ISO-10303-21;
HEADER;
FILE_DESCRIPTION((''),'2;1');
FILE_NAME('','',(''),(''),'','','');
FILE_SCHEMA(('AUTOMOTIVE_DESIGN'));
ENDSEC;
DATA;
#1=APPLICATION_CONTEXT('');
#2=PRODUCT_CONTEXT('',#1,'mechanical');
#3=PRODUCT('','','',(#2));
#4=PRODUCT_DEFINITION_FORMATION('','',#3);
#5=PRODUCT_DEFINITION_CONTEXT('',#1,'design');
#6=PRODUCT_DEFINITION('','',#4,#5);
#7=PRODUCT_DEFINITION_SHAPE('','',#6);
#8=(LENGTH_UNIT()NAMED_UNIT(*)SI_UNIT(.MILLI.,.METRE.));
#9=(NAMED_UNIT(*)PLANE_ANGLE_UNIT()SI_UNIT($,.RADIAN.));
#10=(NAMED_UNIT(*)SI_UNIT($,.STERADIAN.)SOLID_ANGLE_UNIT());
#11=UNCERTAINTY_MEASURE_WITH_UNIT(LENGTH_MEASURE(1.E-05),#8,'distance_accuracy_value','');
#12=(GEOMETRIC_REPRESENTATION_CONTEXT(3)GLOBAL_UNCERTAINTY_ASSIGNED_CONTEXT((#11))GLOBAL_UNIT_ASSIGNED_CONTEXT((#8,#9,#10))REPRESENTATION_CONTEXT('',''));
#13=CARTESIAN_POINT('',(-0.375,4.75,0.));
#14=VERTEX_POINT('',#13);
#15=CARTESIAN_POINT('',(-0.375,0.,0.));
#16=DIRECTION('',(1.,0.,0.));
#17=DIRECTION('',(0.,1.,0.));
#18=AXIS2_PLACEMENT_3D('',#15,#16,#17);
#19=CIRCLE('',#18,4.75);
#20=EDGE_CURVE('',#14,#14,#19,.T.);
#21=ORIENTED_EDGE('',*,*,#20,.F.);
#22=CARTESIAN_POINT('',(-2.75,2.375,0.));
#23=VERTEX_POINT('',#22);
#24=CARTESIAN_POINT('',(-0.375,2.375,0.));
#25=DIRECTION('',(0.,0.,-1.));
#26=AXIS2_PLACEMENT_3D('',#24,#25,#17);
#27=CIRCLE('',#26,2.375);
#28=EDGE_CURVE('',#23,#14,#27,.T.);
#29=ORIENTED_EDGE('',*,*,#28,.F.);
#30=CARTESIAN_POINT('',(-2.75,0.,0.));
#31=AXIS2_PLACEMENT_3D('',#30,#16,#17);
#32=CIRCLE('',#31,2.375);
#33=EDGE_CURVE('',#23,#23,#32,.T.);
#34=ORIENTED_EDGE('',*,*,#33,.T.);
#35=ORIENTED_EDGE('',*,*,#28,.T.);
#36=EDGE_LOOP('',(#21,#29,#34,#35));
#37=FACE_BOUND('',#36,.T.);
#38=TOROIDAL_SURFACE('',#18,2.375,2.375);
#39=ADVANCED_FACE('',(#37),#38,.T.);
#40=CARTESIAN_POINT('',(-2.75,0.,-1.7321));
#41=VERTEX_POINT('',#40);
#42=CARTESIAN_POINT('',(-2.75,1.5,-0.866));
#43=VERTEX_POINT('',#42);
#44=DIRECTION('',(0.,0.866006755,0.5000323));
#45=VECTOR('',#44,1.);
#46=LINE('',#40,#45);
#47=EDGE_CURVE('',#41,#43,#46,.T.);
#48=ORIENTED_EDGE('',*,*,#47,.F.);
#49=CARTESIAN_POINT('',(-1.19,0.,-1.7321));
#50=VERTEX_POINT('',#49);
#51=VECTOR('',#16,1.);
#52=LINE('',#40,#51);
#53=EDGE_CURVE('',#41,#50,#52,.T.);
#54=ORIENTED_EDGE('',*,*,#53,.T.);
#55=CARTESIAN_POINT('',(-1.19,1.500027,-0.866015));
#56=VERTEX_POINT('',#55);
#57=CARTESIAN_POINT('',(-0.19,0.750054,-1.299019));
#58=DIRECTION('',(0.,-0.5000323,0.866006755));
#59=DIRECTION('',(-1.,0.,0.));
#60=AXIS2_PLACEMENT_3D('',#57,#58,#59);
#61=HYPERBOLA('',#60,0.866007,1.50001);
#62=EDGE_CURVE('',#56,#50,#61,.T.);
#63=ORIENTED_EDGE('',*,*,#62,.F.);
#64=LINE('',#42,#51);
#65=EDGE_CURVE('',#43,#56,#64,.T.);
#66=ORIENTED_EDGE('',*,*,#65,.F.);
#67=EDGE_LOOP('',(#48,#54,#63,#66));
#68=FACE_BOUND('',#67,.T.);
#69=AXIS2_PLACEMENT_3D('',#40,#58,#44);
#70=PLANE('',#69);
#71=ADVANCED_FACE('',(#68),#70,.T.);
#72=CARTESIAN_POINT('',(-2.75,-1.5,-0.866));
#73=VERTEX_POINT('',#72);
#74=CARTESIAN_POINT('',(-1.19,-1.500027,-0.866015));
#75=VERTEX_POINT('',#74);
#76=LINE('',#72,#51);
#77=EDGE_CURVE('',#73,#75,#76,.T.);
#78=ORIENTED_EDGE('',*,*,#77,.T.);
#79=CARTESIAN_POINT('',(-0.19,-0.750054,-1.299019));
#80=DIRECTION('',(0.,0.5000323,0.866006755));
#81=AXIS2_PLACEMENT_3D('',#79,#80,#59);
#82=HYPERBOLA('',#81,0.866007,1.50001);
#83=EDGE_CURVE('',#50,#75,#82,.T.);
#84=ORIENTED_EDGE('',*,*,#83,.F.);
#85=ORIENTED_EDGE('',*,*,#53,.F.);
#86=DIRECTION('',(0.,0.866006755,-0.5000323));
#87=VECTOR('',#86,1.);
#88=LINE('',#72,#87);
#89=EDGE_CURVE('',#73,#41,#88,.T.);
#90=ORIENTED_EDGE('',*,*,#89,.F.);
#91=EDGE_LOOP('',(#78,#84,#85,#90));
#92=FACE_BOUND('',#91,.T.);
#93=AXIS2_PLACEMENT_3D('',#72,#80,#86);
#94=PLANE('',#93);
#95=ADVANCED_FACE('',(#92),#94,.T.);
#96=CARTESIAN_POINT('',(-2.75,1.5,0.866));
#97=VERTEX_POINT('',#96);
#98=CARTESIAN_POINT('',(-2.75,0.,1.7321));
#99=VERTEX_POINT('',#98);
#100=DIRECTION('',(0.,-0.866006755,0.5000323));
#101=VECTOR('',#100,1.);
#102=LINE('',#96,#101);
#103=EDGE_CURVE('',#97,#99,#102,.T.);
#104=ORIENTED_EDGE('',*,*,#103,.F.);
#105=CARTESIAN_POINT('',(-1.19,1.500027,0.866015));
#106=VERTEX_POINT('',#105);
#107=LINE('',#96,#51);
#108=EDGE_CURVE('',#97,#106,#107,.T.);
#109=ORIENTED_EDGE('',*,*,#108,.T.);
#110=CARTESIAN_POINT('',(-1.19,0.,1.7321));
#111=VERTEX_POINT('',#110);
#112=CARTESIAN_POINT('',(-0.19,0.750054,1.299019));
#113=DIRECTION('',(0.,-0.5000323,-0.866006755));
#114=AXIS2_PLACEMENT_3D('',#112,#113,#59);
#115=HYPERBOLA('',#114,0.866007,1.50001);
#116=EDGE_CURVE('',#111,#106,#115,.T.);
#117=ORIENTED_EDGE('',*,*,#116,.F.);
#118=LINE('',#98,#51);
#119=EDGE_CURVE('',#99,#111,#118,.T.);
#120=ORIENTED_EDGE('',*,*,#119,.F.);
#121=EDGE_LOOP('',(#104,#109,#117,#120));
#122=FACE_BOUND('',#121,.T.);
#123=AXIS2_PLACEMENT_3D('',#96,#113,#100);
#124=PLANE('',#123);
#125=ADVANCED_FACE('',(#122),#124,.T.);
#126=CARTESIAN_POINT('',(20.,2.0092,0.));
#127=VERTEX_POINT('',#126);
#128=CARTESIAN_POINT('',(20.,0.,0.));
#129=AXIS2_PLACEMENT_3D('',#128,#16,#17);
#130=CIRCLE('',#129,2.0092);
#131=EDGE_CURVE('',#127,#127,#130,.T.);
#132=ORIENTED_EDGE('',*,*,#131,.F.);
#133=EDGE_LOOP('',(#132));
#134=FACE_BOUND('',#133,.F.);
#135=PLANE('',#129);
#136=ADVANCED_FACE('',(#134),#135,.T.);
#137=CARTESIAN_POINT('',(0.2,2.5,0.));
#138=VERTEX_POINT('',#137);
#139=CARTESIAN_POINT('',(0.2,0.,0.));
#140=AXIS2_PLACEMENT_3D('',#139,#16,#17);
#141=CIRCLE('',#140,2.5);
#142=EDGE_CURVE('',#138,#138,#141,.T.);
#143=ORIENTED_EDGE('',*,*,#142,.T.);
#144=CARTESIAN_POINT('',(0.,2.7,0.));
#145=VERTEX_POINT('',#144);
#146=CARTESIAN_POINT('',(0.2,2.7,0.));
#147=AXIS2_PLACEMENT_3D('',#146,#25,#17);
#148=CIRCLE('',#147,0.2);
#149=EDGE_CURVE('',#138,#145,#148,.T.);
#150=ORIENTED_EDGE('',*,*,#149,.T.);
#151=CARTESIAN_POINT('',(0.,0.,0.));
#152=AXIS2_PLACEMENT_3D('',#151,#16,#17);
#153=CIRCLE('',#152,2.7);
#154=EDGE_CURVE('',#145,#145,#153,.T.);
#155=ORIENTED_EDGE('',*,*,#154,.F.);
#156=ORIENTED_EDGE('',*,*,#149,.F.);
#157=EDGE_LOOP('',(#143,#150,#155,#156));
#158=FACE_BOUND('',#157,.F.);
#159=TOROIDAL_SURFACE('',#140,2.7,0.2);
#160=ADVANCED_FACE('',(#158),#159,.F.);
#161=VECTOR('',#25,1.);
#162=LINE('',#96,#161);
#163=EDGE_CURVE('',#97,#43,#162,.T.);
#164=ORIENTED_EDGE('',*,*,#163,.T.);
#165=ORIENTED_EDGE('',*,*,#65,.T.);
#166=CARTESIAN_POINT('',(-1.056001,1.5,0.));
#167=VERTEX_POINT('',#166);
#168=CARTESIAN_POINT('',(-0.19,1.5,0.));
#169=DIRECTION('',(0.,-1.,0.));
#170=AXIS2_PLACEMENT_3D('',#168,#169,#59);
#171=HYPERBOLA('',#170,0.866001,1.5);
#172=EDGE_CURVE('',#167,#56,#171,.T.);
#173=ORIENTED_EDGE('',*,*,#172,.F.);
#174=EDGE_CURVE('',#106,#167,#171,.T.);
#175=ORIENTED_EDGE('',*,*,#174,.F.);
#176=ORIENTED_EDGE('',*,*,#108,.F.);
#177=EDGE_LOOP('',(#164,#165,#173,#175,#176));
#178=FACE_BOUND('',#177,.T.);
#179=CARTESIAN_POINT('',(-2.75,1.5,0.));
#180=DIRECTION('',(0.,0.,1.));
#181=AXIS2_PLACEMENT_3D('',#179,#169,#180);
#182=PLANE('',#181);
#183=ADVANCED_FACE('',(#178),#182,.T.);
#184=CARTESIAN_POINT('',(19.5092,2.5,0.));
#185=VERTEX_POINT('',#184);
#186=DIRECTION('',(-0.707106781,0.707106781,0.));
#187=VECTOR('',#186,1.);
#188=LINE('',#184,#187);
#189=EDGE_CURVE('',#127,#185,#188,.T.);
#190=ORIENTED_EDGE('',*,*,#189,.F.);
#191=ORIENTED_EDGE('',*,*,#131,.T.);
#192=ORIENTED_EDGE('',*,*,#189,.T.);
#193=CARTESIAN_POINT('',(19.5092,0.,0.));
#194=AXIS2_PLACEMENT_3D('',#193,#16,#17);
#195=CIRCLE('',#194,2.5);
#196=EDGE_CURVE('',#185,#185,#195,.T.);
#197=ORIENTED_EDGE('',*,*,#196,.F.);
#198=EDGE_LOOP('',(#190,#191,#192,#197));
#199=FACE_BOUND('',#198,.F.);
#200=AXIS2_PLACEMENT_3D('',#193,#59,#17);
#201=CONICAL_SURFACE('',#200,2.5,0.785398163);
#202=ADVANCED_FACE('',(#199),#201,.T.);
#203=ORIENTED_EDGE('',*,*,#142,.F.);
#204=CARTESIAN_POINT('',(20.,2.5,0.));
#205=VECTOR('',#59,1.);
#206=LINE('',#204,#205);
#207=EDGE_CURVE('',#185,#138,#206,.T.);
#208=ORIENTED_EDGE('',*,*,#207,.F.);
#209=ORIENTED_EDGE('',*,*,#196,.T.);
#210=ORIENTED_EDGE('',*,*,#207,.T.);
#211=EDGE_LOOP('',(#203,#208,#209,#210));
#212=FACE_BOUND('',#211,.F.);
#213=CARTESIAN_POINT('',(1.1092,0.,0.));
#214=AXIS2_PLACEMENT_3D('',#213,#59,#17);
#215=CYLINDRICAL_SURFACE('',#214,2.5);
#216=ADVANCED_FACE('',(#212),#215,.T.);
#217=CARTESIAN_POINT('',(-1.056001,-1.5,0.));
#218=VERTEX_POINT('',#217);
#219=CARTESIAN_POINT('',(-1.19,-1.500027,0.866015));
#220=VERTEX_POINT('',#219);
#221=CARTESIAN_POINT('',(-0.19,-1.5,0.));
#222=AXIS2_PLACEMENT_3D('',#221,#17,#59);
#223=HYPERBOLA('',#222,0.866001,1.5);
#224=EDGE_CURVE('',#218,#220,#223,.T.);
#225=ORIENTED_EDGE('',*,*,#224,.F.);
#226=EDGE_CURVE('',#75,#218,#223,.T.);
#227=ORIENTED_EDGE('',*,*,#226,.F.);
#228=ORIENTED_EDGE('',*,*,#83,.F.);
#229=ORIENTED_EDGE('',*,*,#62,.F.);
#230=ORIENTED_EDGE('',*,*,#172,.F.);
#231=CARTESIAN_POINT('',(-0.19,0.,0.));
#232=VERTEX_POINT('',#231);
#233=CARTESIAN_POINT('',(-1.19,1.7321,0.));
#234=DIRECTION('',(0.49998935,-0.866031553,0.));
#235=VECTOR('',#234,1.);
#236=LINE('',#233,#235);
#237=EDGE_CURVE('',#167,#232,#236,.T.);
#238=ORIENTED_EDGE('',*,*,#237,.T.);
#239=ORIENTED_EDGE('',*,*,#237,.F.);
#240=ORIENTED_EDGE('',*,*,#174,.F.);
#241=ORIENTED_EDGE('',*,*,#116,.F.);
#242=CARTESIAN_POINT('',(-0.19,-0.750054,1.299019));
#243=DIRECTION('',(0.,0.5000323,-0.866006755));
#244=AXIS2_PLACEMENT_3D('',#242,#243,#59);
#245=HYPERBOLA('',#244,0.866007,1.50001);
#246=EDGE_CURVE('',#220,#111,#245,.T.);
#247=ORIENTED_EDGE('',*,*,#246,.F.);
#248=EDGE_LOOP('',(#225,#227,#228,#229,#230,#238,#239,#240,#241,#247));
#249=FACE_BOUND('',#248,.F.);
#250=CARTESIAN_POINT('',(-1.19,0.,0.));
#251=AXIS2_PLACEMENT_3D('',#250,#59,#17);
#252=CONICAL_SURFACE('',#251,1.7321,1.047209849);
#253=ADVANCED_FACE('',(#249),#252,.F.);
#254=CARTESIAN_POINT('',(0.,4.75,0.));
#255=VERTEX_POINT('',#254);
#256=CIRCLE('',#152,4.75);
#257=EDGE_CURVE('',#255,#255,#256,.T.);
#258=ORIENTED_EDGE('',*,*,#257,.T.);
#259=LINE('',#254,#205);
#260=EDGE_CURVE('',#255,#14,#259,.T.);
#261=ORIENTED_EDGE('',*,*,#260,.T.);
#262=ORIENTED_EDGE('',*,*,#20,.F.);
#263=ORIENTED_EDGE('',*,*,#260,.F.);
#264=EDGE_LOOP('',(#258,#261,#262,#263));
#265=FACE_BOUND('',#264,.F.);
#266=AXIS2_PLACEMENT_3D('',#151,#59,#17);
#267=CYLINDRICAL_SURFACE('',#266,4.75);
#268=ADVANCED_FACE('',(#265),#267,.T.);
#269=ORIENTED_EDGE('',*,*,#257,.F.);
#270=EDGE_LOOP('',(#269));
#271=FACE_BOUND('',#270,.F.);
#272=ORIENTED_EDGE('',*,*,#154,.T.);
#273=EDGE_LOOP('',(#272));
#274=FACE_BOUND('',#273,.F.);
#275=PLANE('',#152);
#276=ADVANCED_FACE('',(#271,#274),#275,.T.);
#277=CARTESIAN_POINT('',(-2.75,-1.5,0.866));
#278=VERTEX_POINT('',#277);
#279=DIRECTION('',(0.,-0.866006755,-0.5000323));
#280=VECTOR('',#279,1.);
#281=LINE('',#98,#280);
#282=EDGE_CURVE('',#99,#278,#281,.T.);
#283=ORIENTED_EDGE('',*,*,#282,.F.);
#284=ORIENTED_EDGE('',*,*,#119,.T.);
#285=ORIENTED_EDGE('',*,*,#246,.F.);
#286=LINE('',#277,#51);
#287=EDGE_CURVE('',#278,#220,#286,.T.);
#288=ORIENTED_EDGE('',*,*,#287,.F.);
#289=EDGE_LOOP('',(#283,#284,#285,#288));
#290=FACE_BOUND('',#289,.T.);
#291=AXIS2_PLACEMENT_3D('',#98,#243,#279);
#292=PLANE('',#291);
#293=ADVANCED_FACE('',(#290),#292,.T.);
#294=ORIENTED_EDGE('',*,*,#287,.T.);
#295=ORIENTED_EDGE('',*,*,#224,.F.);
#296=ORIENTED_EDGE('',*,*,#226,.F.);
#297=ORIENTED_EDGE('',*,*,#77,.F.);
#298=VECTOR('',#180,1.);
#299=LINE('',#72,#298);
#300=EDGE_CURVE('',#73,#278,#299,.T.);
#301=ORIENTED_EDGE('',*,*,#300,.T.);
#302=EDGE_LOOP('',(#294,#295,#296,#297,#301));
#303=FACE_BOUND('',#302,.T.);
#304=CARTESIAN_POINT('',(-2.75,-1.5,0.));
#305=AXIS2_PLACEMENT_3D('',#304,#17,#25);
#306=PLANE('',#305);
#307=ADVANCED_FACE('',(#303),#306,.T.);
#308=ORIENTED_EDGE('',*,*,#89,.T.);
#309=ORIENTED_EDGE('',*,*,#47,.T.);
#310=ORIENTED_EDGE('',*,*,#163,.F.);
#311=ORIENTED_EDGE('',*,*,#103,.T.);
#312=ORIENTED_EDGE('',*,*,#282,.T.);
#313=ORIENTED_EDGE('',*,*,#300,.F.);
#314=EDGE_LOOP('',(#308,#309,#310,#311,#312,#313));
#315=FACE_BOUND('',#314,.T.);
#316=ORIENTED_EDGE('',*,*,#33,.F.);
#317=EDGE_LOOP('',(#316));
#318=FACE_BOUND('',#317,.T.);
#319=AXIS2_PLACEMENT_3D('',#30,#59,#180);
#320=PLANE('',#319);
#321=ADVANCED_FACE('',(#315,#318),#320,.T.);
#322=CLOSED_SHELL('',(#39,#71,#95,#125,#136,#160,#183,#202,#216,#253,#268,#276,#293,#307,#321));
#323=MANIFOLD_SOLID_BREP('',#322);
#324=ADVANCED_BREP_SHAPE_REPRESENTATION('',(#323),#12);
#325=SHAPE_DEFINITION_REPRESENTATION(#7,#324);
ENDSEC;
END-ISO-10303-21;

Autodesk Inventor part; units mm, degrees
ref_plane "YZ Plane" through (0, 0, 0) normal (1, 0, 0) x (0, 1, 0)
ref_plane "XZ Plane" through (0, 0, 0) normal (0, 1, 0) x (-1, 0, 0)
sketch "Sketch1" plane through (0, 0, 0) normal (0, 0, 1) x (1, 0, 0)
  line L0 (-0.19, 0) -> (20, 0)
  line L1 (20, 0) -> (20, 2.5)
  line L2 (20, 2.5) -> (1.6, 2.5)
  line L3 (1.6, 2.5) -> (1.1092, 2.5)
  line L4 (1.1092, 2.5) -> (0, 2.5)
  line L5 (0, 2.5) -> (0, 4.75)
  line L6 (0, 4.75) -> (-2.75, 4.75)
  line L7 (-2.75, 4.75) -> (-2.75, 1.7321)
  line L8 (-2.75, 1.7321) -> (-1.19, 1.7321)
  line L9 (-1.19, 1.7321) -> (-0.19, 0)
  line L10 (-7.3, 0) -> (24.55, 0) projected
  line L11 (0, -0.95) -> (0, 5.7) projected
  line L12 (1.6, 2.5) -> (0, 2.5) construction
  dimension "d0" = 18.4
  dimension "d1" = 0.4908
  dimension "d2" = 2.75
  dimension "d3" = 1.56
  dimension "d4" = 60
  dimension "d5" = 5
  dimension "d6" = 5
  dimension "d7" = 3.4641
  dimension "d8" = 9.5
  dimension "d19" = 20
revolve "Body" add sketch "Sketch1" angle 360 about axis through (-0.19, 0, 0) along (1, 0, 0)
sketch "Sketch2" plane through (-2.75, 0, 0) normal (-1, 0, 0) x (0, 0, 1)
  circle A0 centre (0, 0) radius 1.7321 projected
  line L0 (0, -6.65) -> (0, 6.65) projected
  line L1 (-6.65, 0) -> (6.65, 0) projected
  line L2 (1.7321, 0) -> (0.866, -1.5)
  line L3 (0.866, -1.5) -> (-0.866, -1.5)
  line L4 (-0.866, -1.5) -> (-1.7321, 0)
  line L5 (-1.7321, 0) -> (-0.866, 1.5)
  line L6 (-0.866, 1.5) -> (0.866, 1.5)
  line L7 (0.866, 1.5) -> (1.7321, 0)
extrude "Slot" add sketch "Sketch2" against normal up to next contours L7 A0 | A0 L2 | L6 L0 A0 | A0 L0 L3 | L0 L6 A0 | A0 L3 L0 | L4 A0 | A0 L5
fillet "Fillet1" radius 2.375 1 edges at (-2.75, -4.75, 0)
thread "Thread" size "M5x0.8" class "4g6g" standard "ANSI Metric M Profile" length 18.4
chamfer "Chamfer1" distance 0.4908 distance2 0.4908 1 edges at (20, -2.5, 0) measured on face at (20, -0.7379, -0.3873)
fillet "Fillet2" radius 0.2 1 edges at (0, -2.5, 0)
ref_plane "Work Plane1" through (30, 0, 0) normal (0, -0.5, 0.866) x (1, 0, 0)
equation "\"d0\" = GEL"
equation "\"d1\" = GAL"
equation "\"d2\" = KOH"
equation "\"d3\" = INTI"
equation "\"d5\" = GD"
equation "\"d6\" = BDM"
equation "\"d7\" = 1.1547 * SW"
equation "\"d8\" = KOD"
equation "\"d19\" = NLG"
equation "\"d16\" = RR"
equation "\"d12\" = GEL"
equation "\"d14\" = -0.5 * SPD + 0.5 * GD"
equation "\"d15\" = GUL"
equation "\"d29\" = R"
equation "\"GD\" = NND"
equation "\"NLG\" = 20"
equation "\"GEL\" = 18.4"
equation "\"KOD\" = 9.5"
equation "\"KOH\" = 2.75"
equation "\"INTI\" = 1.56"
equation "\"GAL\" = 0.61345 * PTC"
equation "\"GUL\" = 0.61345 * PTC"
equation "\"BDM\" = NND"
equation "\"SW\" = 3"
equation "\"RR\" = 2.375"
equation "\"SPD\" = 4.01848"
equation "\"d28\" = R"
equation "\"R\" = 0.2"
equation "\"TOA\" = 30deg"
equation "\"THREADDIA\" = 5"
equation "\"KOD1\" = KOD - 2 * RR"
equation "\"PTC\" = 0.8"
equation "\"NND\" = 5"
equation "\"E0\" = 1.155 * SW"
equation "\"GD1\" = THREADDIA - 1.2269 * PTC"
properties part number "ANSI B18.3.4M - M5 x 0.8 x 20" material "Steel, Mild"
